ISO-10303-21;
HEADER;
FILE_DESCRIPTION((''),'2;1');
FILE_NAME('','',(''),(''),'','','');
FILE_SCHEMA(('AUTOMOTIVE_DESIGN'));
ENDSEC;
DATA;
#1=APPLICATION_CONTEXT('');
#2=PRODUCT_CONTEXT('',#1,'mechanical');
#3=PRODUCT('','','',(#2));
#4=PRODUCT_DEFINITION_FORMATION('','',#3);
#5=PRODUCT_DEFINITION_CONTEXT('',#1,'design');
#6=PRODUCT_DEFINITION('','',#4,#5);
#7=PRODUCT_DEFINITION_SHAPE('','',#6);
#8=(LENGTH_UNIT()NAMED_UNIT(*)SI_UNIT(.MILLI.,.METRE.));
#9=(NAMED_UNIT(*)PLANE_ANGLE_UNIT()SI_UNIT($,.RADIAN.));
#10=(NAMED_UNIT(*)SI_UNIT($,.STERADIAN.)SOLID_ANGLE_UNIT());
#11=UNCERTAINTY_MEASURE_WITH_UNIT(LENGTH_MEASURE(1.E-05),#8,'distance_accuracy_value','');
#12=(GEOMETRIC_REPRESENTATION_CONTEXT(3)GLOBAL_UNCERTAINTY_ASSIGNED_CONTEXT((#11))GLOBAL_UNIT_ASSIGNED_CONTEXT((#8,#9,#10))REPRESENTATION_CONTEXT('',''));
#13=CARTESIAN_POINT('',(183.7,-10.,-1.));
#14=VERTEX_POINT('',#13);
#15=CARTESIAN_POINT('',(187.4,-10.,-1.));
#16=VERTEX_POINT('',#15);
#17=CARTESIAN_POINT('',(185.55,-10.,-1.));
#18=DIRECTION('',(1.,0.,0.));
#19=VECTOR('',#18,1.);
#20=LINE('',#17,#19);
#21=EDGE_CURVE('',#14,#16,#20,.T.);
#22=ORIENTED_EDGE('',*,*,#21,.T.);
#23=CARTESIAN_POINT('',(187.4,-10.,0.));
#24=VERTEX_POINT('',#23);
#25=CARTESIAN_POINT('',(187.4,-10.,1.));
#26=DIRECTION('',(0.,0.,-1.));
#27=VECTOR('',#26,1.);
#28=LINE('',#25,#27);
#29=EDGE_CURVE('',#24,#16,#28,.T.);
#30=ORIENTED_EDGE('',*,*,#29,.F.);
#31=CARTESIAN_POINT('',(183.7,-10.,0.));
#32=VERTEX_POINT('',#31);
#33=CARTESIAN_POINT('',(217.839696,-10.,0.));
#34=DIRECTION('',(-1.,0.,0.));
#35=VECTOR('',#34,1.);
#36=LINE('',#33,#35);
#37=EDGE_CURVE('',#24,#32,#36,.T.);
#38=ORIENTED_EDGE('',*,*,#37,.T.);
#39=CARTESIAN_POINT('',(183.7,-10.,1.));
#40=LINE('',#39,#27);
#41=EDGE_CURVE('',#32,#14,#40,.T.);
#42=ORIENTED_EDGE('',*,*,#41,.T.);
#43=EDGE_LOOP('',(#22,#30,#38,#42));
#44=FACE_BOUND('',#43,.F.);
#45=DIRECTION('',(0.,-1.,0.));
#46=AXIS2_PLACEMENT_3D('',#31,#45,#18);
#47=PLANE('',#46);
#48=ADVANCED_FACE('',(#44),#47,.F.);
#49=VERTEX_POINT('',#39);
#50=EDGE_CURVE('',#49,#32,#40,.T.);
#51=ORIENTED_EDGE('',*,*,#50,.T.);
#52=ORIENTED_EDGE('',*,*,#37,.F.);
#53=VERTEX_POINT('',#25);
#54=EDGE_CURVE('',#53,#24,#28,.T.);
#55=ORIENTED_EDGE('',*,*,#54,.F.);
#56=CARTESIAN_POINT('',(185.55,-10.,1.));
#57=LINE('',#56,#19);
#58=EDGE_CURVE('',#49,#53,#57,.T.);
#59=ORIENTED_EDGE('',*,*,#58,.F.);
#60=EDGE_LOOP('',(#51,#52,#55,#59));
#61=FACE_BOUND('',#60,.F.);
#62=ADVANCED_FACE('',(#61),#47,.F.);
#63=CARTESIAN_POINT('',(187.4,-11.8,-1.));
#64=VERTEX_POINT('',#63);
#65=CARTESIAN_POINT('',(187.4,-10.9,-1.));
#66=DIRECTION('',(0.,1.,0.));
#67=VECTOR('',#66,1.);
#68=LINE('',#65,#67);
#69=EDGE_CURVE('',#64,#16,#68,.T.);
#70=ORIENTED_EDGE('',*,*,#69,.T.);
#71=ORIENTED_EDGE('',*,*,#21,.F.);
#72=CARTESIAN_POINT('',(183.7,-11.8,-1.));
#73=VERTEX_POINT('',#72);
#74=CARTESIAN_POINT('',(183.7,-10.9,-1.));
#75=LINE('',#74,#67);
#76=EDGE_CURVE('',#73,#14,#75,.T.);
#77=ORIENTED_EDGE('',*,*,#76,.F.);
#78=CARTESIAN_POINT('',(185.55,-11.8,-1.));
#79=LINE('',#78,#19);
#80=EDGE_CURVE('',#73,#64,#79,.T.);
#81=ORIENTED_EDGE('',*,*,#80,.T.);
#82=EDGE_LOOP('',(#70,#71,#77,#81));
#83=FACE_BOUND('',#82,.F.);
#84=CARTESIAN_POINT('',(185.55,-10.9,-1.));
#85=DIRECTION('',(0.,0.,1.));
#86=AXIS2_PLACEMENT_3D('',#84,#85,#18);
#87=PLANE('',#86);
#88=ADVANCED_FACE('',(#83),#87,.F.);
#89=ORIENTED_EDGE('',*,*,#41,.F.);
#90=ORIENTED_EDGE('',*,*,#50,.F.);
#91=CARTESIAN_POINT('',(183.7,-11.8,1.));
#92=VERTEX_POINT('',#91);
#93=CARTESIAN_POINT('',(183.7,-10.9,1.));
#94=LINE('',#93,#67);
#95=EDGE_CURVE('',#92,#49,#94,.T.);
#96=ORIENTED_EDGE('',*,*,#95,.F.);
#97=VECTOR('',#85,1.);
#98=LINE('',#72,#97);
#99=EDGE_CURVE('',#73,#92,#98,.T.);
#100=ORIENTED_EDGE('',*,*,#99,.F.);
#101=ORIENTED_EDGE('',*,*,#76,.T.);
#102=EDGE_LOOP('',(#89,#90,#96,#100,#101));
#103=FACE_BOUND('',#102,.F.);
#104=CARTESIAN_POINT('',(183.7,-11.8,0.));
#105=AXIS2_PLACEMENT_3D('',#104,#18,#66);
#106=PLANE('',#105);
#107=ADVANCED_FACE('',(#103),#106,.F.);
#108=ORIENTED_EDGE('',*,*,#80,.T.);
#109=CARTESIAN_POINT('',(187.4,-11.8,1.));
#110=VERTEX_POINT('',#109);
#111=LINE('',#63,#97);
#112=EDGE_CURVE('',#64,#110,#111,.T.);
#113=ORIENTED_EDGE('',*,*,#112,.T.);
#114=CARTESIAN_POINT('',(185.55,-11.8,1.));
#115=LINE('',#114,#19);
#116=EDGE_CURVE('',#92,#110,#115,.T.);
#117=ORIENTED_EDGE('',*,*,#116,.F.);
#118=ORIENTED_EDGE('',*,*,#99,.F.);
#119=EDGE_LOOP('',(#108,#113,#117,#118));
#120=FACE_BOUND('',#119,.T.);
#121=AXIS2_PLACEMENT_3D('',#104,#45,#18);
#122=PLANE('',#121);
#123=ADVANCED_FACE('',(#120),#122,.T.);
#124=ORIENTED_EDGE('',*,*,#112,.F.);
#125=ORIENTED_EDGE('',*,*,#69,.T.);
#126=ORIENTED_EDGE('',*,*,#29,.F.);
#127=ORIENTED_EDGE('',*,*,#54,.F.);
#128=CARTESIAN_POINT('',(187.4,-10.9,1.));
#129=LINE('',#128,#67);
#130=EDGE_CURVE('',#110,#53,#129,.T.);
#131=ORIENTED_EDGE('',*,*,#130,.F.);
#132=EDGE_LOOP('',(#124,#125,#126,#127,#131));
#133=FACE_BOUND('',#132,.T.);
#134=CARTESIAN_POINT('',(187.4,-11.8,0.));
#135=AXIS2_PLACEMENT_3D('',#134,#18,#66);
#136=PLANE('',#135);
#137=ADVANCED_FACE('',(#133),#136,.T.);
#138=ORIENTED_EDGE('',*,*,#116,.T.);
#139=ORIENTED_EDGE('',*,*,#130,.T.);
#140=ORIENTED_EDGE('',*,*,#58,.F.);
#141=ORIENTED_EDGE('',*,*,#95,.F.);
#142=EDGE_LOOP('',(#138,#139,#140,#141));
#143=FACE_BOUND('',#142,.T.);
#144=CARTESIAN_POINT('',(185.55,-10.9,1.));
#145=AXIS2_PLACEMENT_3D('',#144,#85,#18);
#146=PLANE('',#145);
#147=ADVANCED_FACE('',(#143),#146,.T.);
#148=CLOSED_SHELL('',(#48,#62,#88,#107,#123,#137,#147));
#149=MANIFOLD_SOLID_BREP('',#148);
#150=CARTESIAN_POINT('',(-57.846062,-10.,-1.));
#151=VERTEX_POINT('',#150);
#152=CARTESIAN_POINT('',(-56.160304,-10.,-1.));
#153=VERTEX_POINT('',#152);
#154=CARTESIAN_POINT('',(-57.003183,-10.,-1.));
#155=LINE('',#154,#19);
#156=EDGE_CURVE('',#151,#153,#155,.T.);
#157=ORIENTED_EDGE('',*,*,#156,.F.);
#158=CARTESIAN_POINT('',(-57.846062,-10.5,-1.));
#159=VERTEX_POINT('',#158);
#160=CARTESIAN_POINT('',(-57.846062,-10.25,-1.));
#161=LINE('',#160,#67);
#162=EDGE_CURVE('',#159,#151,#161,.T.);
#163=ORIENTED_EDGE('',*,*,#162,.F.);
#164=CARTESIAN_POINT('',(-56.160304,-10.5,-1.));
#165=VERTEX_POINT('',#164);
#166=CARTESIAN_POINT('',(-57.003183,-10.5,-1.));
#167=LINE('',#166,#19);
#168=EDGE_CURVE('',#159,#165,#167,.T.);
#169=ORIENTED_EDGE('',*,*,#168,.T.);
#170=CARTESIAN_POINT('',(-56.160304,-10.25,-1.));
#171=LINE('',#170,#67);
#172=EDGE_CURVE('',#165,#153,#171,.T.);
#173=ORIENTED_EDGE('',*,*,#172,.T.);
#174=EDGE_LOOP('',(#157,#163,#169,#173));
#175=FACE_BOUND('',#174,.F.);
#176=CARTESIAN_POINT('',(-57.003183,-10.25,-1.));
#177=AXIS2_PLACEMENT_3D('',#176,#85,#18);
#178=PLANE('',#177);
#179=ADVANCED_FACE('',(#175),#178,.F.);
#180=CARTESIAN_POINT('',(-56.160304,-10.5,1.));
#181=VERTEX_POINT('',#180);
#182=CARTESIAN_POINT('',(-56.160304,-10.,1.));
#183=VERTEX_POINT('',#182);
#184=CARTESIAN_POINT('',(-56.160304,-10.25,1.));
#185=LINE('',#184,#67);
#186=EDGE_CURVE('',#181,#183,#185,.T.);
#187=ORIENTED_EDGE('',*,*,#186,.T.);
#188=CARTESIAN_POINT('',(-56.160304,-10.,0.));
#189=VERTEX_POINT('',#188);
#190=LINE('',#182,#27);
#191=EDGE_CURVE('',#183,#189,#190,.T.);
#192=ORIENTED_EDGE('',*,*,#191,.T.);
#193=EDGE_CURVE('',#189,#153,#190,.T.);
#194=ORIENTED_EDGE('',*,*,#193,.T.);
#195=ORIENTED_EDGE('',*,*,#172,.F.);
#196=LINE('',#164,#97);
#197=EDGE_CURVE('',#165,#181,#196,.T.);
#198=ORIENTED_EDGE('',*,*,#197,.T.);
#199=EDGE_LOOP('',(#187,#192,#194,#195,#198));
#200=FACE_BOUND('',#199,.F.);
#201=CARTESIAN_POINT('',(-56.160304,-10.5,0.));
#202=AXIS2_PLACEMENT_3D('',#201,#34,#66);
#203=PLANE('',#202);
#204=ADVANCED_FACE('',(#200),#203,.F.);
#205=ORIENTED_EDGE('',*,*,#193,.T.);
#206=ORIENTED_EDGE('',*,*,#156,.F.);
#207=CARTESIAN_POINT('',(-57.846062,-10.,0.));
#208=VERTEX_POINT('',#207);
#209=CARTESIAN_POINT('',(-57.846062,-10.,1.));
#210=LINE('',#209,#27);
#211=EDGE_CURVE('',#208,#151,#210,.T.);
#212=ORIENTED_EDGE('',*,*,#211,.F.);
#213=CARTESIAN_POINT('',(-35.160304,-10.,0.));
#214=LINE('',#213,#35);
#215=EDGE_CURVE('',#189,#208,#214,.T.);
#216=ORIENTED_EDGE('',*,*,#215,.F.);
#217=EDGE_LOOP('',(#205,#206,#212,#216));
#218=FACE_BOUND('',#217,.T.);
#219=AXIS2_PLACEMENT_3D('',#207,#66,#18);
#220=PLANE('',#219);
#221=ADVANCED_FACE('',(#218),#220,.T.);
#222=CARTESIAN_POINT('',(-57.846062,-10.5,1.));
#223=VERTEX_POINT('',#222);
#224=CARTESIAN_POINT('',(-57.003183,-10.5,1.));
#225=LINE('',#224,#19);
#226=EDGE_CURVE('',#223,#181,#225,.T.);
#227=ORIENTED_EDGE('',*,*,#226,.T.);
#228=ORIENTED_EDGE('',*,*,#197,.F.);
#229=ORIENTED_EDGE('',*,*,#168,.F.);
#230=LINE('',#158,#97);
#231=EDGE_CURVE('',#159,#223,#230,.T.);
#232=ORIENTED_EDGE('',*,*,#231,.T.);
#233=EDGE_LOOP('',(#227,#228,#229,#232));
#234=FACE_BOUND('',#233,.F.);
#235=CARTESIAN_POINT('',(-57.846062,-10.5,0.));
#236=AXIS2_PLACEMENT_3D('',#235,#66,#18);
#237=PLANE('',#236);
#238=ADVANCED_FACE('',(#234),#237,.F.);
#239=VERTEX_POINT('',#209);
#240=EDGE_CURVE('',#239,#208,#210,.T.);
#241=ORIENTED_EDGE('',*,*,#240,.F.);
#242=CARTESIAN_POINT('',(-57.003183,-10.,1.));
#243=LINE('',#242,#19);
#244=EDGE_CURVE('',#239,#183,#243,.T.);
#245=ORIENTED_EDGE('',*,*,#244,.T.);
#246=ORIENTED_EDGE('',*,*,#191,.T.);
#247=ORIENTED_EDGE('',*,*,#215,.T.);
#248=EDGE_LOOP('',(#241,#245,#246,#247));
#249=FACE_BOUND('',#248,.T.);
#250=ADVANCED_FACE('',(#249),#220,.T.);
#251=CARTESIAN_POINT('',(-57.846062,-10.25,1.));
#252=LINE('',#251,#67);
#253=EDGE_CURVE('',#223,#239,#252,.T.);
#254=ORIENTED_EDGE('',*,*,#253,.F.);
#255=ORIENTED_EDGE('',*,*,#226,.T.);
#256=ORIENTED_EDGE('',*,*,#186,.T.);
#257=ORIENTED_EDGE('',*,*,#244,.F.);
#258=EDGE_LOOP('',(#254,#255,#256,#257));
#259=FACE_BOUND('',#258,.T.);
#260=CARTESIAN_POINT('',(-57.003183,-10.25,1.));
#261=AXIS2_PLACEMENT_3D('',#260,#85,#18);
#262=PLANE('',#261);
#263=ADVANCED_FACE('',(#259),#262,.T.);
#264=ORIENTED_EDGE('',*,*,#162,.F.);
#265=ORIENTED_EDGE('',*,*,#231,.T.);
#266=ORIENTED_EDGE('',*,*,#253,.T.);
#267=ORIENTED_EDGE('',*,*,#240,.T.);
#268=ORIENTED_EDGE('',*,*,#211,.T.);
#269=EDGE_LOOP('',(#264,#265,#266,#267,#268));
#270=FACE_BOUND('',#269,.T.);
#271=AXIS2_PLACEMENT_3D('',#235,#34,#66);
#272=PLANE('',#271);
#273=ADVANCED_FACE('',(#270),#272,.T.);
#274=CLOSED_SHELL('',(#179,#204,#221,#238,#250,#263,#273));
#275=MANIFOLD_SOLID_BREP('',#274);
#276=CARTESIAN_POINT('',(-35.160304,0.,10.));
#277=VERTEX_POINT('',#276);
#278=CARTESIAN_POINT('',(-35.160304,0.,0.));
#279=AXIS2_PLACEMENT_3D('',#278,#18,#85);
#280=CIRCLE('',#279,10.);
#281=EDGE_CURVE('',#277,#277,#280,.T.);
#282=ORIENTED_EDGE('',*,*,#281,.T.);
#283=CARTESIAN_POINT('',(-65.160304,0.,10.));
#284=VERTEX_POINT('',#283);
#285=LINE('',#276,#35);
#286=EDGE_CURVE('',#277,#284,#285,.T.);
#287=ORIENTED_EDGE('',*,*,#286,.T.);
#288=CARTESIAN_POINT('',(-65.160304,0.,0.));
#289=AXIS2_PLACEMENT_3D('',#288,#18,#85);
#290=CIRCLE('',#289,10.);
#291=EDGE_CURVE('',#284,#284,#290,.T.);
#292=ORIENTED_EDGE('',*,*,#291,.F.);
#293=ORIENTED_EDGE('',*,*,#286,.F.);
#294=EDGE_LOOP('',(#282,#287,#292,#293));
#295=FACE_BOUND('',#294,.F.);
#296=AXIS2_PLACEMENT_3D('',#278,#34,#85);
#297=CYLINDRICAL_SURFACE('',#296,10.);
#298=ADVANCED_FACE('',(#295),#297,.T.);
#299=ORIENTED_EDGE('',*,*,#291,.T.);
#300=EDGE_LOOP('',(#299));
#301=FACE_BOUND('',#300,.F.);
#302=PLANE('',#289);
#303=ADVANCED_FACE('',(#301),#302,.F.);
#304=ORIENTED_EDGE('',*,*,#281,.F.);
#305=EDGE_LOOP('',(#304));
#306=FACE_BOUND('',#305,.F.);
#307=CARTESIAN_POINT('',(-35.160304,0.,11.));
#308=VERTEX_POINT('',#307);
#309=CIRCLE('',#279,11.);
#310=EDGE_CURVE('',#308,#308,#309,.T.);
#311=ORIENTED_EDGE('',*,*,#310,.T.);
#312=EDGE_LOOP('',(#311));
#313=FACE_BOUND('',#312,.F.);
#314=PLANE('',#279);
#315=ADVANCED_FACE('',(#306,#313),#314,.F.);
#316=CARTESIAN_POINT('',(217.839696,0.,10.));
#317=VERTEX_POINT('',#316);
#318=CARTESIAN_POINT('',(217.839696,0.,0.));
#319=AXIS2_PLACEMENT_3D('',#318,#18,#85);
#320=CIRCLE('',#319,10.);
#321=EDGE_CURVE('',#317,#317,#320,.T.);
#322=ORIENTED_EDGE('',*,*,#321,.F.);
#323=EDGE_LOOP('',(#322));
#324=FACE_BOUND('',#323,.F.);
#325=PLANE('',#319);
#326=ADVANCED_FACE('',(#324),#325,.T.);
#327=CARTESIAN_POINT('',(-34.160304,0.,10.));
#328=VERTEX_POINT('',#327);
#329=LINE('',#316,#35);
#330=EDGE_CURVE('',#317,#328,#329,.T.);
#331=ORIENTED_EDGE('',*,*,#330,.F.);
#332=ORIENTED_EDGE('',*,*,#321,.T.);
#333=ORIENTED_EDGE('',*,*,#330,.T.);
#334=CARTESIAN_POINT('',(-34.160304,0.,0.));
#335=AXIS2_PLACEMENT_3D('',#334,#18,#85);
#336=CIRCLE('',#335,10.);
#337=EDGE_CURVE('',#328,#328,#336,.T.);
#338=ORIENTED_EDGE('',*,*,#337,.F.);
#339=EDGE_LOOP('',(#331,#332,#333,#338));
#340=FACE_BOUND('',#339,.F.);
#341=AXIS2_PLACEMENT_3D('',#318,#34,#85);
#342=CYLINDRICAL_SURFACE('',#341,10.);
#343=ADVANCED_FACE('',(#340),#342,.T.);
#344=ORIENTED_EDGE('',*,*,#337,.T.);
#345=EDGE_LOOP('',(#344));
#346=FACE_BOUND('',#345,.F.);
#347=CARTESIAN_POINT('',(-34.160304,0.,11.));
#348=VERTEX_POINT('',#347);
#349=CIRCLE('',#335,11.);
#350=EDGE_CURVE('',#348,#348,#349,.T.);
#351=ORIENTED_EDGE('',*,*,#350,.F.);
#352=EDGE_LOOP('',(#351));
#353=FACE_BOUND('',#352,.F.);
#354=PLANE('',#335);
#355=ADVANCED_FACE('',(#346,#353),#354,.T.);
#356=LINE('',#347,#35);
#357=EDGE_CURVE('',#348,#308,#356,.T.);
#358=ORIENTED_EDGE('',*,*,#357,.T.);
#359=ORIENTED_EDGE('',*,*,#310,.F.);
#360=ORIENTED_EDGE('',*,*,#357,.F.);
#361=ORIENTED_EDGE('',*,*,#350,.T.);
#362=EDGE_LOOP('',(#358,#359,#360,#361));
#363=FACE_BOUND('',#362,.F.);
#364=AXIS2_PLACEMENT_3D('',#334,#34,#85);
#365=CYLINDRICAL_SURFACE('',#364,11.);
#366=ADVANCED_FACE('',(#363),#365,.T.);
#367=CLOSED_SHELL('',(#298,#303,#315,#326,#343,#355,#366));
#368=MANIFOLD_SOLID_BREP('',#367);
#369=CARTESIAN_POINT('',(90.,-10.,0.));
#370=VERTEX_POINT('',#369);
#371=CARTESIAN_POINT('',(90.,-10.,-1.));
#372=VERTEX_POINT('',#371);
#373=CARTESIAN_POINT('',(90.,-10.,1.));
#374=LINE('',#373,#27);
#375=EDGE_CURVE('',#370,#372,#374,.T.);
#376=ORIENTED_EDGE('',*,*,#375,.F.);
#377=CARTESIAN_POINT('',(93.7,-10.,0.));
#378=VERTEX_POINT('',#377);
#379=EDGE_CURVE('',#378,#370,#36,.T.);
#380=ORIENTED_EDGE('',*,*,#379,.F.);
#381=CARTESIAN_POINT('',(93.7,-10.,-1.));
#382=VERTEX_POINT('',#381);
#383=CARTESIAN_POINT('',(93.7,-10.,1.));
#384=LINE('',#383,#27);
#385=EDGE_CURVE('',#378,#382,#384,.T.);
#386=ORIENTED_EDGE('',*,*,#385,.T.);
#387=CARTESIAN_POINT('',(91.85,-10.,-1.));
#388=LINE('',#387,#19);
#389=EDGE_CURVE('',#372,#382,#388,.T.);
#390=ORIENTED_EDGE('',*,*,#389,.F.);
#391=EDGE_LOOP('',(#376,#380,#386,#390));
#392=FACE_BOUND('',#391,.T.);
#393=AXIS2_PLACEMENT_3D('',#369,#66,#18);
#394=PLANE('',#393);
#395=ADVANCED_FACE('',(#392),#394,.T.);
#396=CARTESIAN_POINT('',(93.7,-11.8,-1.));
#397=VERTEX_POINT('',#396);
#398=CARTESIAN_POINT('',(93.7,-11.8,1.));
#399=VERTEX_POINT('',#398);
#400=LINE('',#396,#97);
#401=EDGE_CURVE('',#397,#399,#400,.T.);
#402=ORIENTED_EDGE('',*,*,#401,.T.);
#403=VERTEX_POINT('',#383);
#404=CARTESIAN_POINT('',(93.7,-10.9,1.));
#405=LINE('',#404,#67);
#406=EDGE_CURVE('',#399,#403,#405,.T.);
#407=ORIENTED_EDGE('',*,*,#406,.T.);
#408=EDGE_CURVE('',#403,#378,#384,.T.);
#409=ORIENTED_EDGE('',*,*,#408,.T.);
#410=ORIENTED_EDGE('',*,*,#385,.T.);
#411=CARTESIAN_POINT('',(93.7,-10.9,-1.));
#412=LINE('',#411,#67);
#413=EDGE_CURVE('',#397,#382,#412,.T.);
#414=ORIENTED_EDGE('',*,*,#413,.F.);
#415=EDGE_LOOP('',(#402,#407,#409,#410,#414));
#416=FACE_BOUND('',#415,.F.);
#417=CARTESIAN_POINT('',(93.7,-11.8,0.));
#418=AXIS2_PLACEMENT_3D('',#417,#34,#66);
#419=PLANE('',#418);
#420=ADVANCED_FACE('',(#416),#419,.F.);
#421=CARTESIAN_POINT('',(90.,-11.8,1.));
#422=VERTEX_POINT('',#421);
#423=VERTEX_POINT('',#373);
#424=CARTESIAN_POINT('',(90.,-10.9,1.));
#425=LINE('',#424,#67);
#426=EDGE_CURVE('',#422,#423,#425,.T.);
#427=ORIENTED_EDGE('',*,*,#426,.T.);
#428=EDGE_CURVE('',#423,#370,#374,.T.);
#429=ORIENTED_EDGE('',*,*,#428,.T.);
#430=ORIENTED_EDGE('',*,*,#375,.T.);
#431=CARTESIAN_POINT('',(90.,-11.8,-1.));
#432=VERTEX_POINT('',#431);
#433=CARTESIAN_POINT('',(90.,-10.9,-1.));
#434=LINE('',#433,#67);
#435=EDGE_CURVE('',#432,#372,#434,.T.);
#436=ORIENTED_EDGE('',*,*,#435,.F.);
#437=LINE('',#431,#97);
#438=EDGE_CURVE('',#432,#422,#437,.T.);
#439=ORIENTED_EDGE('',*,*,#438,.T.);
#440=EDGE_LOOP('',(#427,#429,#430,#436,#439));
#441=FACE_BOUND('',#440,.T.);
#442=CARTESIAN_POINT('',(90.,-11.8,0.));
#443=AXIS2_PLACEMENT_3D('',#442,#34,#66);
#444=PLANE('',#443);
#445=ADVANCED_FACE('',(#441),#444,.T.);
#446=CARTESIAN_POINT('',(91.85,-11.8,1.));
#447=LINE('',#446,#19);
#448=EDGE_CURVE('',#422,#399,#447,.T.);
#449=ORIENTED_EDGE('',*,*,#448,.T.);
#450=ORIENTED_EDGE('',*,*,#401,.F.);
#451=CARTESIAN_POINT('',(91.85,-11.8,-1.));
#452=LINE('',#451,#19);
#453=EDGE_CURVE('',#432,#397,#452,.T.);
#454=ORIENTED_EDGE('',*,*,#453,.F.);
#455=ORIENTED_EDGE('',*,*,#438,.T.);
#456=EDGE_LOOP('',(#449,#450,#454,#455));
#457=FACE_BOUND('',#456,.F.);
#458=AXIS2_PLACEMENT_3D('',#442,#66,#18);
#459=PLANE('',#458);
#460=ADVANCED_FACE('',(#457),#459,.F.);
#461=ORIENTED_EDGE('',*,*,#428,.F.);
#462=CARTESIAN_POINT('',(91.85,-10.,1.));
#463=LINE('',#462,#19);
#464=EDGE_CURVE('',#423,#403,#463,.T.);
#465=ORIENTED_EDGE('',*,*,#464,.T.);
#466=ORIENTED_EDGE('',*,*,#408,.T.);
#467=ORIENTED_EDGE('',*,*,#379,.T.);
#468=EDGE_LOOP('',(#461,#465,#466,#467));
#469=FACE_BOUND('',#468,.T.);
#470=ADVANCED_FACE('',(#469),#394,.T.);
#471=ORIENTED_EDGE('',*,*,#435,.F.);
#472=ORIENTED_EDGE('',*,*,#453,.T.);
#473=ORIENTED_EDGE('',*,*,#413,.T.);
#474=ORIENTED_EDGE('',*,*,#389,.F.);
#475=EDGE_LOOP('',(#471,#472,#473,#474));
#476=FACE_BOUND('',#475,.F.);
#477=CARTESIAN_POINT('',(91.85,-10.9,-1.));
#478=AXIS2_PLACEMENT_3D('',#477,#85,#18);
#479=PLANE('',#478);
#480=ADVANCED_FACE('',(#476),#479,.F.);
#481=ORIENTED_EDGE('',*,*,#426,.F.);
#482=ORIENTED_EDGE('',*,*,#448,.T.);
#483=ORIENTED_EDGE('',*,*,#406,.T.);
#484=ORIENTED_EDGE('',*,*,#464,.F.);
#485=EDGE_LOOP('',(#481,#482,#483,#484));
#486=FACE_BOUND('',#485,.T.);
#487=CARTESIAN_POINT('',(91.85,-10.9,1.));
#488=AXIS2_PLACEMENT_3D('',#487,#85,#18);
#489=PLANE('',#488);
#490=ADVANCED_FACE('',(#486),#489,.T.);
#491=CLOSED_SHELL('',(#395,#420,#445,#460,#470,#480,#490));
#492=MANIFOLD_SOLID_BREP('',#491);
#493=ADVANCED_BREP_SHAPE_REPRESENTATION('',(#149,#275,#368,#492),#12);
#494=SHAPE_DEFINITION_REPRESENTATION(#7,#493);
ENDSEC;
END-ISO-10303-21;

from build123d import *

# Parameters (mm, degrees)
F2_W     = 1.6857574282
F2_H     = 0.5
F2_W_2   = 3.7
F2_H_2   = 1.8
F3_DEPTH = 1


with BuildPart() as f1:
    # F0 (on Front) → F1 (revolve)
    with BuildSketch(Plane.XZ):
        Polygon((67.8396956921, 10), (-34.1603043079, 10), (-34.1603043079, 11), (-35.1603043079, 11), (-35.1603043079, 10), (-65.1603043079, 10), (-65.1603043079, 0), (0, 0), (102, 0), (217.8396956921, 0), (217.8396956921, 10), (176.3, 10), (86.3, 10), align=None)
    revolve(axis=Axis((-32.580152154, 0, 0), (1, 0, 0)))

    # F2 (on Top) → F3 (join, symmetric)
    with BuildSketch(Plane.XY):
        with Locations((-57.0031830221, -10.25)):
            Rectangle(F2_W, F2_H)
        with Locations((91.85, -10.9)):
            Rectangle(F2_W_2, F2_H_2)
        with Locations((185.55, -10.9)):
            Rectangle(F2_W_2, F2_H_2)
    extrude(amount=F3_DEPTH, both=True)


solid = f1.part
